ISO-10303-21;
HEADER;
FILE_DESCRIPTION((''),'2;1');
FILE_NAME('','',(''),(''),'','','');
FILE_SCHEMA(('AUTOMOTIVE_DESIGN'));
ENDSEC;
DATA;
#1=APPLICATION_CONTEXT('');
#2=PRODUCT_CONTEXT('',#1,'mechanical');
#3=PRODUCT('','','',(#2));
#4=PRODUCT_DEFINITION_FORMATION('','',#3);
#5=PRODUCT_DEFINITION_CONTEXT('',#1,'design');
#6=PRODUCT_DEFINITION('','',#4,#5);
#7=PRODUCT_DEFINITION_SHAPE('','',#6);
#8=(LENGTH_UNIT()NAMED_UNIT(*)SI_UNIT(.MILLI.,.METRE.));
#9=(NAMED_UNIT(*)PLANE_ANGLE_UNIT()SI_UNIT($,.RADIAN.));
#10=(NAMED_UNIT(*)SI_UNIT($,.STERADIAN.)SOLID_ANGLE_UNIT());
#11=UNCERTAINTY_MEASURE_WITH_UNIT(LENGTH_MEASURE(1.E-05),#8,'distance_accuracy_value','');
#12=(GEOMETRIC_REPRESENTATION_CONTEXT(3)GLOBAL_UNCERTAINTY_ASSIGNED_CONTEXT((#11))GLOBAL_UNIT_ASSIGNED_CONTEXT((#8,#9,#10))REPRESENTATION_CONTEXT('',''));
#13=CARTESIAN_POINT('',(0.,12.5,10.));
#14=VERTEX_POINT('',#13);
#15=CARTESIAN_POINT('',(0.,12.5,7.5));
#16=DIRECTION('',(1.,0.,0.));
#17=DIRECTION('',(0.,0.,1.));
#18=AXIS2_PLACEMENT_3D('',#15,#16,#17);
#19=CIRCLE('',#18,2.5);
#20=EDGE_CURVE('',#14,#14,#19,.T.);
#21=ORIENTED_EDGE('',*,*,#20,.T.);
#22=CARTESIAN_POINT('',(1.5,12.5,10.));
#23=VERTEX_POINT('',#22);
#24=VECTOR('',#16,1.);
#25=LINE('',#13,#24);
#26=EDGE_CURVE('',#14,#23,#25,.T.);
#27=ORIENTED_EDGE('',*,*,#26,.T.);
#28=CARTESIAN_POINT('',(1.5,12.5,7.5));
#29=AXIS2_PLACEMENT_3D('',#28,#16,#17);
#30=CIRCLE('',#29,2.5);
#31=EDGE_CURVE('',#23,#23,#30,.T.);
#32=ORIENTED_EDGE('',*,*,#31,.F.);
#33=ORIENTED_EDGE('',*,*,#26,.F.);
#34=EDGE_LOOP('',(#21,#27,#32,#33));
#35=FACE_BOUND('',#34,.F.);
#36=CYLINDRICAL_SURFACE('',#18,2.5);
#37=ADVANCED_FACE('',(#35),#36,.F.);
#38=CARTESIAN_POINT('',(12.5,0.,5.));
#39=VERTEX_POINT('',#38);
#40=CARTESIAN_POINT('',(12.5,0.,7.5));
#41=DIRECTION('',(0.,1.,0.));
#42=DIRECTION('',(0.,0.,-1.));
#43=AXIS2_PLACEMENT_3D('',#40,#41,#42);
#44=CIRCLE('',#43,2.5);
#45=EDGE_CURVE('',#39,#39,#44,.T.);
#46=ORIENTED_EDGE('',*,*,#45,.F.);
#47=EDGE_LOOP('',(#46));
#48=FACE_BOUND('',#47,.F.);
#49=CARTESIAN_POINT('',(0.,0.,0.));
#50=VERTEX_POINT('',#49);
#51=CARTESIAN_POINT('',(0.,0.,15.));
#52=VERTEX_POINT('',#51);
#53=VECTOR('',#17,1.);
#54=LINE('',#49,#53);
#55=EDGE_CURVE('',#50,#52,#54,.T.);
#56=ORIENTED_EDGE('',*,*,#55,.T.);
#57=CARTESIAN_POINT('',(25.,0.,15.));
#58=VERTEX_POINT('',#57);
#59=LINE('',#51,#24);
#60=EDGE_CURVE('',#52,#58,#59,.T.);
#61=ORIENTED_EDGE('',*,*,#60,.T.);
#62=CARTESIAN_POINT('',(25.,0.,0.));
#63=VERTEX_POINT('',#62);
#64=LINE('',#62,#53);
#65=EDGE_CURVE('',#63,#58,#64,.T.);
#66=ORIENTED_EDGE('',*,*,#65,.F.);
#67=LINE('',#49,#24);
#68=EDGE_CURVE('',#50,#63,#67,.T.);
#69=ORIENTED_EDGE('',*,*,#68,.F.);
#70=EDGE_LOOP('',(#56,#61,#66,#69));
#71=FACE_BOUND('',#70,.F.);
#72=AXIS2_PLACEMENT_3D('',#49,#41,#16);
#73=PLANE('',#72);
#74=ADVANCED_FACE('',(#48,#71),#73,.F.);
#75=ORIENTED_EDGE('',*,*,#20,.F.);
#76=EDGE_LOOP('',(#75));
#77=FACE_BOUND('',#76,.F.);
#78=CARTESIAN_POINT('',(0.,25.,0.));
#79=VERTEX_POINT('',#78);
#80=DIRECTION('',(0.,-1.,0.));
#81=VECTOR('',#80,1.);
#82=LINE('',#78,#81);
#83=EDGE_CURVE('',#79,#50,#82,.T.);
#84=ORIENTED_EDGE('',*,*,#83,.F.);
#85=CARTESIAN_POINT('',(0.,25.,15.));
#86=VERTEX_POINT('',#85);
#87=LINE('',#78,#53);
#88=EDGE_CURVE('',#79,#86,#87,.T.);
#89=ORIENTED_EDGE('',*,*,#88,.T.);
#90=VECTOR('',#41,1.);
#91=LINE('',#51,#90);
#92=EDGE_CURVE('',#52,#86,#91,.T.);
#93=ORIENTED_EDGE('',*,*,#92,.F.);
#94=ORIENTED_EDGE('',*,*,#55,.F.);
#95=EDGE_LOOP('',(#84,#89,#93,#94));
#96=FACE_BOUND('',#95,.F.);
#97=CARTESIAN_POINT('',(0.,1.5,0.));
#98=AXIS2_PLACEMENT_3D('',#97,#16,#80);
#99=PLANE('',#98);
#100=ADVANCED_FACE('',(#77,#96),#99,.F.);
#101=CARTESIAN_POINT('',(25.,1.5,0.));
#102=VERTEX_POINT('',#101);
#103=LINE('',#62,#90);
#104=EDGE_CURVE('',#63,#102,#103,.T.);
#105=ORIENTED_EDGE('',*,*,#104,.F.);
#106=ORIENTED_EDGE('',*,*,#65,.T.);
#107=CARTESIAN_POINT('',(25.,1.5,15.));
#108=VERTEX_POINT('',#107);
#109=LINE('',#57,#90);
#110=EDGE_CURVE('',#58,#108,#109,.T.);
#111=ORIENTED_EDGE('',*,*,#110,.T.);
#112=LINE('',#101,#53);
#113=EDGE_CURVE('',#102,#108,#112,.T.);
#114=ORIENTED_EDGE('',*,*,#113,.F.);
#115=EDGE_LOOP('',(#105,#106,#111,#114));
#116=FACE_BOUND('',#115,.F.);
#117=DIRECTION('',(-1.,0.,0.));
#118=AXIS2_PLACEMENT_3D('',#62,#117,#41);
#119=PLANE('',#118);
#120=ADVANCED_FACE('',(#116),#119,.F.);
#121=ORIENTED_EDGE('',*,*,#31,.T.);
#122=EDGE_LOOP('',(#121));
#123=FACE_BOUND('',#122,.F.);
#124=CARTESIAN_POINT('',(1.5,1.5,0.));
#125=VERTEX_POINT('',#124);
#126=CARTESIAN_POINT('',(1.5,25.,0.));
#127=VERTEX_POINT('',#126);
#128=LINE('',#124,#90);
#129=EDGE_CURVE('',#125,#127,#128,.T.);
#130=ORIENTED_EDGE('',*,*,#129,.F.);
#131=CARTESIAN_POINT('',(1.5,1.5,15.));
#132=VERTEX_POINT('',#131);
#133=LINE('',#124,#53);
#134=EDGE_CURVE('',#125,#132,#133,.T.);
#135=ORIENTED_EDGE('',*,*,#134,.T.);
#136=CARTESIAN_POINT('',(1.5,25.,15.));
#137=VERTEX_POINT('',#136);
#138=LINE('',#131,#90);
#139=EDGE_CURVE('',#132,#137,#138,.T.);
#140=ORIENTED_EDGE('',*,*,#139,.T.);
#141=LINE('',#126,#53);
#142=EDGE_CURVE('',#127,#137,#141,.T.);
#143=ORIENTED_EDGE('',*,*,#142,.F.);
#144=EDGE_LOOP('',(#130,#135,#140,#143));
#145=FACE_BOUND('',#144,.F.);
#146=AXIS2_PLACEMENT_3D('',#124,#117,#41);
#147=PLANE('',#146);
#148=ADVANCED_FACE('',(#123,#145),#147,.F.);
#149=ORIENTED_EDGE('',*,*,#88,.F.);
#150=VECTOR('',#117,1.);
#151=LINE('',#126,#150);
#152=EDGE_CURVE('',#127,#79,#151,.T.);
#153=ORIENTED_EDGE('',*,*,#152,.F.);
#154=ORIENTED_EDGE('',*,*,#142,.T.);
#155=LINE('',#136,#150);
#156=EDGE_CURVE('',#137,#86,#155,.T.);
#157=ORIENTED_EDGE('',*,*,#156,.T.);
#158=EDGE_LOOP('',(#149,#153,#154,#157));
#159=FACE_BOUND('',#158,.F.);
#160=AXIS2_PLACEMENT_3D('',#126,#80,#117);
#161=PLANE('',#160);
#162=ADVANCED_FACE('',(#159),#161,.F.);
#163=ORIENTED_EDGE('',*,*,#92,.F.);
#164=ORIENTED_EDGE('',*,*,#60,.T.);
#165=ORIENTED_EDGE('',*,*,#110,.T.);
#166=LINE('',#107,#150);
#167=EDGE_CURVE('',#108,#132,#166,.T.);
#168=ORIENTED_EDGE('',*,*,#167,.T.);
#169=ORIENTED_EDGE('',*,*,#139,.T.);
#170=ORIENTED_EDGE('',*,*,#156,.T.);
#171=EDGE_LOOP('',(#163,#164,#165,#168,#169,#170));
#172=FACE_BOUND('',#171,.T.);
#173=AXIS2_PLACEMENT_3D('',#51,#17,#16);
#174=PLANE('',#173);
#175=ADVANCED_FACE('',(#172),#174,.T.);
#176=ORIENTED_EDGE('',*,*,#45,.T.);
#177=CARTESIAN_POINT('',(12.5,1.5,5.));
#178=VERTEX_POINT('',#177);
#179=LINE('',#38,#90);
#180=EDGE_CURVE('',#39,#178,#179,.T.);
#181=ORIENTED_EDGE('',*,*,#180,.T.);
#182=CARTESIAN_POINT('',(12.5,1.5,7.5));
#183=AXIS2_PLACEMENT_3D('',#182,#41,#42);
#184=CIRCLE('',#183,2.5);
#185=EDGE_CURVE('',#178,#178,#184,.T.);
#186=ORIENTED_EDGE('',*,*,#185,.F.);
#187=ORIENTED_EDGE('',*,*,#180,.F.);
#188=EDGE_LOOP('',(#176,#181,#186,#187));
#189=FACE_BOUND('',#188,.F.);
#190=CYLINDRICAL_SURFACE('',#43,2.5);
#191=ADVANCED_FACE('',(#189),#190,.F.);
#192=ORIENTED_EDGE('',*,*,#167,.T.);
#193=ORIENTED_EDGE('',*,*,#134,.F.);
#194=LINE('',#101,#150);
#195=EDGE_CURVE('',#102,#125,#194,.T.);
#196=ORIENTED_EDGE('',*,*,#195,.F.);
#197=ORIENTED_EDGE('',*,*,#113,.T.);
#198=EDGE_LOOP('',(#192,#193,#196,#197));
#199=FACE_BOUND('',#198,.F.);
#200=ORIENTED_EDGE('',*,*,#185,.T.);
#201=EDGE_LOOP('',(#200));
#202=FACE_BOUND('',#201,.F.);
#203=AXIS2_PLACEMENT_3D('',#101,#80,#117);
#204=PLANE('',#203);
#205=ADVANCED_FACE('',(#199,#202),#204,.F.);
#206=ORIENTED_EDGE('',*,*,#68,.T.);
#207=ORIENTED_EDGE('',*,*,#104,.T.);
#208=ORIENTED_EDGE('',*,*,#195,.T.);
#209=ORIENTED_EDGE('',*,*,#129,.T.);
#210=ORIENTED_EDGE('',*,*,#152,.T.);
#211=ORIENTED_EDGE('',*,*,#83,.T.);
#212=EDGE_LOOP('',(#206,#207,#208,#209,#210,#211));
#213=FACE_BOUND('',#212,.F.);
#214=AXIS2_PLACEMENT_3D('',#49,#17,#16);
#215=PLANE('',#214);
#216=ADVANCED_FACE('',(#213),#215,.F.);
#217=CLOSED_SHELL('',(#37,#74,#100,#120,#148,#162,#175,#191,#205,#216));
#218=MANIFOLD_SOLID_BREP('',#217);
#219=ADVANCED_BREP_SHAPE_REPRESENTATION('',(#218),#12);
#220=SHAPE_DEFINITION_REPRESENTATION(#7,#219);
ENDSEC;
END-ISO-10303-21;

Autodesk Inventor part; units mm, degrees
ref_plane "YZ Plane" through (0, 0, 0) normal (1, 0, 0) x (0, 1, 0)
ref_plane "XZ Plane" through (0, 0, 0) normal (0, 1, 0) x (-1, 0, 0)
ref_plane "XY Plane" through (0, 0, 0) normal (0, 0, 1) x (1, 0, 0)
sketch "Sketch1" plane through (0, 0, 0) normal (0, 0, 1) x (1, 0, 0)
  line L0 (0, 0) -> (25, 0)
  line L1 (25, 0) -> (25, 1.5)
  line L2 (25, 1.5) -> (0, 1.5)
  line L3 (0, 1.5) -> (0, 0)
  line L4 (0, 1.5) -> (1.5, 1.5)
  line L5 (1.5, 1.5) -> (1.5, 25)
  line L6 (1.5, 25) -> (0, 25)
  line L7 (0, 25) -> (0, 1.5)
  point P0 (1.5, 1.5)
  dimension "d0" = 25
  dimension "d1" = 1.5
  dimension "d2" = 25
extrude "Extrusion1" add sketch "Sketch1" along normal blind 15
sketch "Sketch2" plane through (0, 0, 0) normal (0, -1, 0) x (1, 0, 0)
  point P0 (0, 0)
  point P1 (12.5, 7.5)
  dimension "d5" = 12.5
  dimension "d6" = 7.5
hole "Hole1" at (12.5, 0, 7.5) direction (0, 1, 0) diameter 5 depth 8 tip angle 118
sketch "Sketch3" plane through (0, 0, 0) normal (-1, 0, 0) x (0, 0, 1)
  point P0 (0, 0)
  point P1 (7.5, 12.5)
  dimension "d14" = 12.5
  dimension "d15" = 7.5
hole "Hole2" at (0, 12.5, 7.5) direction (1, 0, 0) diameter 5 depth 8 tip angle 118
equation "\"d2\" = d0"
properties part number "25x25x25 Simple Angle Bracket"
